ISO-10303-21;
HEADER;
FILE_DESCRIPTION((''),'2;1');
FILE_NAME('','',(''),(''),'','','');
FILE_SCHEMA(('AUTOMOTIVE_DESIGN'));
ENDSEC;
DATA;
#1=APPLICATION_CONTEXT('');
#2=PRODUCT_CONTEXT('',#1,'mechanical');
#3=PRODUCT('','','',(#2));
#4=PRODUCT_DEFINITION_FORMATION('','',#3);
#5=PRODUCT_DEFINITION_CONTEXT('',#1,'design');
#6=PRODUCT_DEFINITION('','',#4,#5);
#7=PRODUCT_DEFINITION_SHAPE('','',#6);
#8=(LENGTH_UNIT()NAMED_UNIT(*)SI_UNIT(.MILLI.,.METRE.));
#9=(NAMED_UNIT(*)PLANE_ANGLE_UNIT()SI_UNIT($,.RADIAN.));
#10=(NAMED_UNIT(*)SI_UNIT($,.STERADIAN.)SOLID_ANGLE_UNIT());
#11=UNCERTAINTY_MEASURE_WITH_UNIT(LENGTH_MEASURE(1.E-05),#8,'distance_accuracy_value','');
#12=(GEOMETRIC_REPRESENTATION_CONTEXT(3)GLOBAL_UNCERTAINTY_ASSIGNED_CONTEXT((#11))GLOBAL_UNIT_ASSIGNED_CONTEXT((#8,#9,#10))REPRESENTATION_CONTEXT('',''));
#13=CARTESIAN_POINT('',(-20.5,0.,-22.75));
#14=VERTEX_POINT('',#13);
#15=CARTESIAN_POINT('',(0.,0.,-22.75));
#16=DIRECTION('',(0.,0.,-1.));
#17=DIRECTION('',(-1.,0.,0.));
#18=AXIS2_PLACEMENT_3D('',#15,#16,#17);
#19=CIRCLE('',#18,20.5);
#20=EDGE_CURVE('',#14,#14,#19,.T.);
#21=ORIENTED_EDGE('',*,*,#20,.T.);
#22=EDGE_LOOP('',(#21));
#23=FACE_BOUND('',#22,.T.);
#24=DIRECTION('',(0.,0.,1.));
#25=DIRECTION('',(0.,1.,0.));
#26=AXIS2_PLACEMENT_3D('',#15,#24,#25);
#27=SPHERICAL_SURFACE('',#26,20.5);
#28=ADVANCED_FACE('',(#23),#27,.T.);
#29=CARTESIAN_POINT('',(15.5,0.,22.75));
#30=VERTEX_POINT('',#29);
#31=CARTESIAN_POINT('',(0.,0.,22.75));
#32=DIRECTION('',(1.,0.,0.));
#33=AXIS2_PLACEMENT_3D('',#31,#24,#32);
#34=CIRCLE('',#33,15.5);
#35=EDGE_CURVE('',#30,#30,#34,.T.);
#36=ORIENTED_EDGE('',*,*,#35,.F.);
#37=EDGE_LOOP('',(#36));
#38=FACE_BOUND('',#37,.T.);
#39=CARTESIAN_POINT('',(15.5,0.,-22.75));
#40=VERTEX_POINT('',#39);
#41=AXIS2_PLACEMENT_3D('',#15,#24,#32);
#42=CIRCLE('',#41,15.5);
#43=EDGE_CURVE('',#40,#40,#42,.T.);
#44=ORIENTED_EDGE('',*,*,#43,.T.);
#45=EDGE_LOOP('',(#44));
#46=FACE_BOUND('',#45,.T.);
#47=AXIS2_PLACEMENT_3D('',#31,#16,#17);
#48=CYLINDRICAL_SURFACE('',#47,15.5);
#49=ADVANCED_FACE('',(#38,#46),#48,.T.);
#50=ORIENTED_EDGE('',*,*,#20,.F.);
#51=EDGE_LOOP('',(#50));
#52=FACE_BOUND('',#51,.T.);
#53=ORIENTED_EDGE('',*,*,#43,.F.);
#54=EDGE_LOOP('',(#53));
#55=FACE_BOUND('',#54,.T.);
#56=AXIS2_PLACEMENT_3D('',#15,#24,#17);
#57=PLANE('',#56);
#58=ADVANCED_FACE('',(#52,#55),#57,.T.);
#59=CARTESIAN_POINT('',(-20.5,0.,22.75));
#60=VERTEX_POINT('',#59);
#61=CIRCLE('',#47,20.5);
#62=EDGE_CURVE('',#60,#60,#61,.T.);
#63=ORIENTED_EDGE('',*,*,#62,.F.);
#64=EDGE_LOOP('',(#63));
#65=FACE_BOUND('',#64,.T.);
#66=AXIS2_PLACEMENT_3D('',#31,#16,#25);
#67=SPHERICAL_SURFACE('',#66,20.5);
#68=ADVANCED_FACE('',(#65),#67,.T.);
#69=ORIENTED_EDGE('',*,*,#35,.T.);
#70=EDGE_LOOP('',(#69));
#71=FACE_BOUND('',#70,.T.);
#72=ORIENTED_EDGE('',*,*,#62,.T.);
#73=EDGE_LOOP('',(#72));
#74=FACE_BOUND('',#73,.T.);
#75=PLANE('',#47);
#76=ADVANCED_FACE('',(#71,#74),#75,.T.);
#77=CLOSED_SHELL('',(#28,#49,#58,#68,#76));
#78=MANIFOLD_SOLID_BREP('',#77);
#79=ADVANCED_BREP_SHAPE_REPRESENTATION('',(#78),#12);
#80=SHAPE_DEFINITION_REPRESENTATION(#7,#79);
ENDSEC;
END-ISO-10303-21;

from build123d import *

# Parameters (mm, degrees)
SKETCH1_R           = 15.5
BOSS_EXTRUDE1_DEPTH = 22.75


with BuildPart() as part:
    # Sketch1 → Boss-Extrude1 (new, symmetric)
    with BuildSketch(Plane.XY):
        Circle(SKETCH1_R)
    extrude(amount=BOSS_EXTRUDE1_DEPTH, both=True)

    # Sketch2 → Revolve1 (revolve)
    with BuildSketch(Plane(origin=(0, 0, 0), x_dir=(0, 0, -1), z_dir=(1, 0, 0))):
        with BuildLine():
            Line((-43.25, 0), (-22.75, 0))
            Line((-22.75, 0), (-22.75, 20.5))
            ThreePointArc((-22.75, 20.5), (-37.245689014, 14.495689014), (-43.25, 0))
        make_face()
    revolve(axis=Axis((0, 0, 0), (0, 0, 1)))

    # Mirror1: part across plane


with BuildPart() as part_1:
    add(part.part)
    add(part.part.mirror(Plane.XY))


solid = part_1.part
